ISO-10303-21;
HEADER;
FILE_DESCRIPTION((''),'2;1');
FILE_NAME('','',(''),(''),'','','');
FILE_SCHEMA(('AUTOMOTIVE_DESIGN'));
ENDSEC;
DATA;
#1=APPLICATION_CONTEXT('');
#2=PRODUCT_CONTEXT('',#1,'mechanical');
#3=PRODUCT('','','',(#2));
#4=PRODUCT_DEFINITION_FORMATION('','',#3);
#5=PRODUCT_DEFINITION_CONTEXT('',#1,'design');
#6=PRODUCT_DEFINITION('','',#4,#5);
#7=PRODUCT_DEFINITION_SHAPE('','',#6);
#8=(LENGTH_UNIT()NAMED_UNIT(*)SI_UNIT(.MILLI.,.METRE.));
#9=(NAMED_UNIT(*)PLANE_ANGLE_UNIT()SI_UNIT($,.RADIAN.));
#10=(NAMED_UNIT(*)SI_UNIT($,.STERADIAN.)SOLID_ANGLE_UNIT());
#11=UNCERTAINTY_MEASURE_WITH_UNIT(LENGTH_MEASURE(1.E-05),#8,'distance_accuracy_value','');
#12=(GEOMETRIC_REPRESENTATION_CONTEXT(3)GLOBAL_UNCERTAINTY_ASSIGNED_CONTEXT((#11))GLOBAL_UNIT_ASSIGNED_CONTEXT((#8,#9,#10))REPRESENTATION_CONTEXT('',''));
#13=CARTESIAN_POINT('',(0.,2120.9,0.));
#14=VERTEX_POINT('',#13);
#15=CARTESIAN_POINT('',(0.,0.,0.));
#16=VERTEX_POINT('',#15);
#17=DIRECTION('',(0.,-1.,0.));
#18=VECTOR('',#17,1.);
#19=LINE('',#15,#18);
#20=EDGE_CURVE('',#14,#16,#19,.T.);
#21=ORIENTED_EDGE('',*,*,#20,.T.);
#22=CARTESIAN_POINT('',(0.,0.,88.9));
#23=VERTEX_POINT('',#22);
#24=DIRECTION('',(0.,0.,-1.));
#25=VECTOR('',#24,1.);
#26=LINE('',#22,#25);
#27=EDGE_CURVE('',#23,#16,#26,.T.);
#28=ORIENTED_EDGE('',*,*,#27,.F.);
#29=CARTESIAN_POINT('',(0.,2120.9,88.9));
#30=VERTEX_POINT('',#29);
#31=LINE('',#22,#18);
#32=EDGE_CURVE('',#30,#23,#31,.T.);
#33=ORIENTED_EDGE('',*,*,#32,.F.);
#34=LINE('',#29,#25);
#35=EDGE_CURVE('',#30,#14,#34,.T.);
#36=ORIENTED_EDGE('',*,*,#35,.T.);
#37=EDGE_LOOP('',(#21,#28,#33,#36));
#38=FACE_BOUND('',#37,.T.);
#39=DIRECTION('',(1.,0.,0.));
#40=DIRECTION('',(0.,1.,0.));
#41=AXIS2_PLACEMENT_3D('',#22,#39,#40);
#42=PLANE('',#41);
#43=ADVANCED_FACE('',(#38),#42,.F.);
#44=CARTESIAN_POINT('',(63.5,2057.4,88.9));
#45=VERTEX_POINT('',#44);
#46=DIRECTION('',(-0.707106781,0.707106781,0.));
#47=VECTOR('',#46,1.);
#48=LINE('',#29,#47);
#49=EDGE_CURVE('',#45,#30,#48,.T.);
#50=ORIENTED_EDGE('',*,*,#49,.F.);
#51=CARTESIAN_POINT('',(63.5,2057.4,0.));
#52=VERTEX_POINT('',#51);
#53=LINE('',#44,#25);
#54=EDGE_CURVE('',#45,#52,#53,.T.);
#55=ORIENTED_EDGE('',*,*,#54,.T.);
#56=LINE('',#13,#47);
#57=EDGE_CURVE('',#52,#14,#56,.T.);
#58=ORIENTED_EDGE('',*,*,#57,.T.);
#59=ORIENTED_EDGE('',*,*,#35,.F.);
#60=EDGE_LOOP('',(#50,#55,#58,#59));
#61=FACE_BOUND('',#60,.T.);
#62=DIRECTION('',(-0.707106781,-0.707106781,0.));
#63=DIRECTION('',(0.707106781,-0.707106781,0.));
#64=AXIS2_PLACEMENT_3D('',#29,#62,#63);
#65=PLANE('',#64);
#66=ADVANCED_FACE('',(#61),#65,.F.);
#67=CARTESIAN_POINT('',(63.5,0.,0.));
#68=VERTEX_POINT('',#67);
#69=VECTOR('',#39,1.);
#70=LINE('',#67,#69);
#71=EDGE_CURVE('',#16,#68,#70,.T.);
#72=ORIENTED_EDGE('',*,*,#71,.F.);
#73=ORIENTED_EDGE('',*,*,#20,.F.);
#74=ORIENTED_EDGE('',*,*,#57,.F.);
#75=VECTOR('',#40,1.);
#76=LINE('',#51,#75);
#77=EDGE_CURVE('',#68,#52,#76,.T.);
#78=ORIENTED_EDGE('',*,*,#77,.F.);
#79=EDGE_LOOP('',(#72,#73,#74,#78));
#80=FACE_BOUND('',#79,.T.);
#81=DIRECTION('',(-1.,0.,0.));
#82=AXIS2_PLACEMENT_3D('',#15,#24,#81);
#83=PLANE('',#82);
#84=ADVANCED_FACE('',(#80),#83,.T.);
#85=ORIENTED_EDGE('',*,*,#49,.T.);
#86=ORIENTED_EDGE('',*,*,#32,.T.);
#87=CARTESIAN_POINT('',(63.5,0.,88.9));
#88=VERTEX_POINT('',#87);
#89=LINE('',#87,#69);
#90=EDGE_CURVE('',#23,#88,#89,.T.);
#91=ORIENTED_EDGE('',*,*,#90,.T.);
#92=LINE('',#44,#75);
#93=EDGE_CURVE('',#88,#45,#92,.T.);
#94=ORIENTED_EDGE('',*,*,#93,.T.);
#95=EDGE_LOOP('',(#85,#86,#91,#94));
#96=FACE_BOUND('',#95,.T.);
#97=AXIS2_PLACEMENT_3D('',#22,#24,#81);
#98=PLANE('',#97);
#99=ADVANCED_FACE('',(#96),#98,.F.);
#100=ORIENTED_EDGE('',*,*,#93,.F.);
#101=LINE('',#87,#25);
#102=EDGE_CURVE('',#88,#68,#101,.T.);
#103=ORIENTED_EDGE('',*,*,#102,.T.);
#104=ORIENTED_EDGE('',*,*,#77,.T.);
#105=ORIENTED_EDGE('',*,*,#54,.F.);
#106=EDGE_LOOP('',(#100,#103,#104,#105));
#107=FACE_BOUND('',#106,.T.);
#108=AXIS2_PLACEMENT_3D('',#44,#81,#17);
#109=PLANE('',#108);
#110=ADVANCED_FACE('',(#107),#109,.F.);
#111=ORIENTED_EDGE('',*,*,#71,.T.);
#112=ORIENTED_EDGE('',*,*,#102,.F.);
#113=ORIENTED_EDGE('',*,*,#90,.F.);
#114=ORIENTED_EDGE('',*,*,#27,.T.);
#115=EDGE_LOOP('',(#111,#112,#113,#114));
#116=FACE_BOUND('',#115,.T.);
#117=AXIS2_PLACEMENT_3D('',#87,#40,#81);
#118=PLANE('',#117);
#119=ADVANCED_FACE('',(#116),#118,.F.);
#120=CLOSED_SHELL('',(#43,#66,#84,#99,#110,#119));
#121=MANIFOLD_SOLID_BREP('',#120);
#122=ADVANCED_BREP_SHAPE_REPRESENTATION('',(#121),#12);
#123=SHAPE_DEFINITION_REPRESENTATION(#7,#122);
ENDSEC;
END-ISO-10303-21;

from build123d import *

# Parameters (mm, degrees)
BOSS_EXTRUDE1_DEPTH = 88.9


with BuildPart() as part:
    # Sketch1 → Boss-Extrude1 (new body)
    with BuildSketch(Plane.XY):
        Polygon((0, 0), (0, 2120.9), (63.5, 2057.4), (63.5, 0), align=None)
    extrude(amount=BOSS_EXTRUDE1_DEPTH)


solid = part.part
